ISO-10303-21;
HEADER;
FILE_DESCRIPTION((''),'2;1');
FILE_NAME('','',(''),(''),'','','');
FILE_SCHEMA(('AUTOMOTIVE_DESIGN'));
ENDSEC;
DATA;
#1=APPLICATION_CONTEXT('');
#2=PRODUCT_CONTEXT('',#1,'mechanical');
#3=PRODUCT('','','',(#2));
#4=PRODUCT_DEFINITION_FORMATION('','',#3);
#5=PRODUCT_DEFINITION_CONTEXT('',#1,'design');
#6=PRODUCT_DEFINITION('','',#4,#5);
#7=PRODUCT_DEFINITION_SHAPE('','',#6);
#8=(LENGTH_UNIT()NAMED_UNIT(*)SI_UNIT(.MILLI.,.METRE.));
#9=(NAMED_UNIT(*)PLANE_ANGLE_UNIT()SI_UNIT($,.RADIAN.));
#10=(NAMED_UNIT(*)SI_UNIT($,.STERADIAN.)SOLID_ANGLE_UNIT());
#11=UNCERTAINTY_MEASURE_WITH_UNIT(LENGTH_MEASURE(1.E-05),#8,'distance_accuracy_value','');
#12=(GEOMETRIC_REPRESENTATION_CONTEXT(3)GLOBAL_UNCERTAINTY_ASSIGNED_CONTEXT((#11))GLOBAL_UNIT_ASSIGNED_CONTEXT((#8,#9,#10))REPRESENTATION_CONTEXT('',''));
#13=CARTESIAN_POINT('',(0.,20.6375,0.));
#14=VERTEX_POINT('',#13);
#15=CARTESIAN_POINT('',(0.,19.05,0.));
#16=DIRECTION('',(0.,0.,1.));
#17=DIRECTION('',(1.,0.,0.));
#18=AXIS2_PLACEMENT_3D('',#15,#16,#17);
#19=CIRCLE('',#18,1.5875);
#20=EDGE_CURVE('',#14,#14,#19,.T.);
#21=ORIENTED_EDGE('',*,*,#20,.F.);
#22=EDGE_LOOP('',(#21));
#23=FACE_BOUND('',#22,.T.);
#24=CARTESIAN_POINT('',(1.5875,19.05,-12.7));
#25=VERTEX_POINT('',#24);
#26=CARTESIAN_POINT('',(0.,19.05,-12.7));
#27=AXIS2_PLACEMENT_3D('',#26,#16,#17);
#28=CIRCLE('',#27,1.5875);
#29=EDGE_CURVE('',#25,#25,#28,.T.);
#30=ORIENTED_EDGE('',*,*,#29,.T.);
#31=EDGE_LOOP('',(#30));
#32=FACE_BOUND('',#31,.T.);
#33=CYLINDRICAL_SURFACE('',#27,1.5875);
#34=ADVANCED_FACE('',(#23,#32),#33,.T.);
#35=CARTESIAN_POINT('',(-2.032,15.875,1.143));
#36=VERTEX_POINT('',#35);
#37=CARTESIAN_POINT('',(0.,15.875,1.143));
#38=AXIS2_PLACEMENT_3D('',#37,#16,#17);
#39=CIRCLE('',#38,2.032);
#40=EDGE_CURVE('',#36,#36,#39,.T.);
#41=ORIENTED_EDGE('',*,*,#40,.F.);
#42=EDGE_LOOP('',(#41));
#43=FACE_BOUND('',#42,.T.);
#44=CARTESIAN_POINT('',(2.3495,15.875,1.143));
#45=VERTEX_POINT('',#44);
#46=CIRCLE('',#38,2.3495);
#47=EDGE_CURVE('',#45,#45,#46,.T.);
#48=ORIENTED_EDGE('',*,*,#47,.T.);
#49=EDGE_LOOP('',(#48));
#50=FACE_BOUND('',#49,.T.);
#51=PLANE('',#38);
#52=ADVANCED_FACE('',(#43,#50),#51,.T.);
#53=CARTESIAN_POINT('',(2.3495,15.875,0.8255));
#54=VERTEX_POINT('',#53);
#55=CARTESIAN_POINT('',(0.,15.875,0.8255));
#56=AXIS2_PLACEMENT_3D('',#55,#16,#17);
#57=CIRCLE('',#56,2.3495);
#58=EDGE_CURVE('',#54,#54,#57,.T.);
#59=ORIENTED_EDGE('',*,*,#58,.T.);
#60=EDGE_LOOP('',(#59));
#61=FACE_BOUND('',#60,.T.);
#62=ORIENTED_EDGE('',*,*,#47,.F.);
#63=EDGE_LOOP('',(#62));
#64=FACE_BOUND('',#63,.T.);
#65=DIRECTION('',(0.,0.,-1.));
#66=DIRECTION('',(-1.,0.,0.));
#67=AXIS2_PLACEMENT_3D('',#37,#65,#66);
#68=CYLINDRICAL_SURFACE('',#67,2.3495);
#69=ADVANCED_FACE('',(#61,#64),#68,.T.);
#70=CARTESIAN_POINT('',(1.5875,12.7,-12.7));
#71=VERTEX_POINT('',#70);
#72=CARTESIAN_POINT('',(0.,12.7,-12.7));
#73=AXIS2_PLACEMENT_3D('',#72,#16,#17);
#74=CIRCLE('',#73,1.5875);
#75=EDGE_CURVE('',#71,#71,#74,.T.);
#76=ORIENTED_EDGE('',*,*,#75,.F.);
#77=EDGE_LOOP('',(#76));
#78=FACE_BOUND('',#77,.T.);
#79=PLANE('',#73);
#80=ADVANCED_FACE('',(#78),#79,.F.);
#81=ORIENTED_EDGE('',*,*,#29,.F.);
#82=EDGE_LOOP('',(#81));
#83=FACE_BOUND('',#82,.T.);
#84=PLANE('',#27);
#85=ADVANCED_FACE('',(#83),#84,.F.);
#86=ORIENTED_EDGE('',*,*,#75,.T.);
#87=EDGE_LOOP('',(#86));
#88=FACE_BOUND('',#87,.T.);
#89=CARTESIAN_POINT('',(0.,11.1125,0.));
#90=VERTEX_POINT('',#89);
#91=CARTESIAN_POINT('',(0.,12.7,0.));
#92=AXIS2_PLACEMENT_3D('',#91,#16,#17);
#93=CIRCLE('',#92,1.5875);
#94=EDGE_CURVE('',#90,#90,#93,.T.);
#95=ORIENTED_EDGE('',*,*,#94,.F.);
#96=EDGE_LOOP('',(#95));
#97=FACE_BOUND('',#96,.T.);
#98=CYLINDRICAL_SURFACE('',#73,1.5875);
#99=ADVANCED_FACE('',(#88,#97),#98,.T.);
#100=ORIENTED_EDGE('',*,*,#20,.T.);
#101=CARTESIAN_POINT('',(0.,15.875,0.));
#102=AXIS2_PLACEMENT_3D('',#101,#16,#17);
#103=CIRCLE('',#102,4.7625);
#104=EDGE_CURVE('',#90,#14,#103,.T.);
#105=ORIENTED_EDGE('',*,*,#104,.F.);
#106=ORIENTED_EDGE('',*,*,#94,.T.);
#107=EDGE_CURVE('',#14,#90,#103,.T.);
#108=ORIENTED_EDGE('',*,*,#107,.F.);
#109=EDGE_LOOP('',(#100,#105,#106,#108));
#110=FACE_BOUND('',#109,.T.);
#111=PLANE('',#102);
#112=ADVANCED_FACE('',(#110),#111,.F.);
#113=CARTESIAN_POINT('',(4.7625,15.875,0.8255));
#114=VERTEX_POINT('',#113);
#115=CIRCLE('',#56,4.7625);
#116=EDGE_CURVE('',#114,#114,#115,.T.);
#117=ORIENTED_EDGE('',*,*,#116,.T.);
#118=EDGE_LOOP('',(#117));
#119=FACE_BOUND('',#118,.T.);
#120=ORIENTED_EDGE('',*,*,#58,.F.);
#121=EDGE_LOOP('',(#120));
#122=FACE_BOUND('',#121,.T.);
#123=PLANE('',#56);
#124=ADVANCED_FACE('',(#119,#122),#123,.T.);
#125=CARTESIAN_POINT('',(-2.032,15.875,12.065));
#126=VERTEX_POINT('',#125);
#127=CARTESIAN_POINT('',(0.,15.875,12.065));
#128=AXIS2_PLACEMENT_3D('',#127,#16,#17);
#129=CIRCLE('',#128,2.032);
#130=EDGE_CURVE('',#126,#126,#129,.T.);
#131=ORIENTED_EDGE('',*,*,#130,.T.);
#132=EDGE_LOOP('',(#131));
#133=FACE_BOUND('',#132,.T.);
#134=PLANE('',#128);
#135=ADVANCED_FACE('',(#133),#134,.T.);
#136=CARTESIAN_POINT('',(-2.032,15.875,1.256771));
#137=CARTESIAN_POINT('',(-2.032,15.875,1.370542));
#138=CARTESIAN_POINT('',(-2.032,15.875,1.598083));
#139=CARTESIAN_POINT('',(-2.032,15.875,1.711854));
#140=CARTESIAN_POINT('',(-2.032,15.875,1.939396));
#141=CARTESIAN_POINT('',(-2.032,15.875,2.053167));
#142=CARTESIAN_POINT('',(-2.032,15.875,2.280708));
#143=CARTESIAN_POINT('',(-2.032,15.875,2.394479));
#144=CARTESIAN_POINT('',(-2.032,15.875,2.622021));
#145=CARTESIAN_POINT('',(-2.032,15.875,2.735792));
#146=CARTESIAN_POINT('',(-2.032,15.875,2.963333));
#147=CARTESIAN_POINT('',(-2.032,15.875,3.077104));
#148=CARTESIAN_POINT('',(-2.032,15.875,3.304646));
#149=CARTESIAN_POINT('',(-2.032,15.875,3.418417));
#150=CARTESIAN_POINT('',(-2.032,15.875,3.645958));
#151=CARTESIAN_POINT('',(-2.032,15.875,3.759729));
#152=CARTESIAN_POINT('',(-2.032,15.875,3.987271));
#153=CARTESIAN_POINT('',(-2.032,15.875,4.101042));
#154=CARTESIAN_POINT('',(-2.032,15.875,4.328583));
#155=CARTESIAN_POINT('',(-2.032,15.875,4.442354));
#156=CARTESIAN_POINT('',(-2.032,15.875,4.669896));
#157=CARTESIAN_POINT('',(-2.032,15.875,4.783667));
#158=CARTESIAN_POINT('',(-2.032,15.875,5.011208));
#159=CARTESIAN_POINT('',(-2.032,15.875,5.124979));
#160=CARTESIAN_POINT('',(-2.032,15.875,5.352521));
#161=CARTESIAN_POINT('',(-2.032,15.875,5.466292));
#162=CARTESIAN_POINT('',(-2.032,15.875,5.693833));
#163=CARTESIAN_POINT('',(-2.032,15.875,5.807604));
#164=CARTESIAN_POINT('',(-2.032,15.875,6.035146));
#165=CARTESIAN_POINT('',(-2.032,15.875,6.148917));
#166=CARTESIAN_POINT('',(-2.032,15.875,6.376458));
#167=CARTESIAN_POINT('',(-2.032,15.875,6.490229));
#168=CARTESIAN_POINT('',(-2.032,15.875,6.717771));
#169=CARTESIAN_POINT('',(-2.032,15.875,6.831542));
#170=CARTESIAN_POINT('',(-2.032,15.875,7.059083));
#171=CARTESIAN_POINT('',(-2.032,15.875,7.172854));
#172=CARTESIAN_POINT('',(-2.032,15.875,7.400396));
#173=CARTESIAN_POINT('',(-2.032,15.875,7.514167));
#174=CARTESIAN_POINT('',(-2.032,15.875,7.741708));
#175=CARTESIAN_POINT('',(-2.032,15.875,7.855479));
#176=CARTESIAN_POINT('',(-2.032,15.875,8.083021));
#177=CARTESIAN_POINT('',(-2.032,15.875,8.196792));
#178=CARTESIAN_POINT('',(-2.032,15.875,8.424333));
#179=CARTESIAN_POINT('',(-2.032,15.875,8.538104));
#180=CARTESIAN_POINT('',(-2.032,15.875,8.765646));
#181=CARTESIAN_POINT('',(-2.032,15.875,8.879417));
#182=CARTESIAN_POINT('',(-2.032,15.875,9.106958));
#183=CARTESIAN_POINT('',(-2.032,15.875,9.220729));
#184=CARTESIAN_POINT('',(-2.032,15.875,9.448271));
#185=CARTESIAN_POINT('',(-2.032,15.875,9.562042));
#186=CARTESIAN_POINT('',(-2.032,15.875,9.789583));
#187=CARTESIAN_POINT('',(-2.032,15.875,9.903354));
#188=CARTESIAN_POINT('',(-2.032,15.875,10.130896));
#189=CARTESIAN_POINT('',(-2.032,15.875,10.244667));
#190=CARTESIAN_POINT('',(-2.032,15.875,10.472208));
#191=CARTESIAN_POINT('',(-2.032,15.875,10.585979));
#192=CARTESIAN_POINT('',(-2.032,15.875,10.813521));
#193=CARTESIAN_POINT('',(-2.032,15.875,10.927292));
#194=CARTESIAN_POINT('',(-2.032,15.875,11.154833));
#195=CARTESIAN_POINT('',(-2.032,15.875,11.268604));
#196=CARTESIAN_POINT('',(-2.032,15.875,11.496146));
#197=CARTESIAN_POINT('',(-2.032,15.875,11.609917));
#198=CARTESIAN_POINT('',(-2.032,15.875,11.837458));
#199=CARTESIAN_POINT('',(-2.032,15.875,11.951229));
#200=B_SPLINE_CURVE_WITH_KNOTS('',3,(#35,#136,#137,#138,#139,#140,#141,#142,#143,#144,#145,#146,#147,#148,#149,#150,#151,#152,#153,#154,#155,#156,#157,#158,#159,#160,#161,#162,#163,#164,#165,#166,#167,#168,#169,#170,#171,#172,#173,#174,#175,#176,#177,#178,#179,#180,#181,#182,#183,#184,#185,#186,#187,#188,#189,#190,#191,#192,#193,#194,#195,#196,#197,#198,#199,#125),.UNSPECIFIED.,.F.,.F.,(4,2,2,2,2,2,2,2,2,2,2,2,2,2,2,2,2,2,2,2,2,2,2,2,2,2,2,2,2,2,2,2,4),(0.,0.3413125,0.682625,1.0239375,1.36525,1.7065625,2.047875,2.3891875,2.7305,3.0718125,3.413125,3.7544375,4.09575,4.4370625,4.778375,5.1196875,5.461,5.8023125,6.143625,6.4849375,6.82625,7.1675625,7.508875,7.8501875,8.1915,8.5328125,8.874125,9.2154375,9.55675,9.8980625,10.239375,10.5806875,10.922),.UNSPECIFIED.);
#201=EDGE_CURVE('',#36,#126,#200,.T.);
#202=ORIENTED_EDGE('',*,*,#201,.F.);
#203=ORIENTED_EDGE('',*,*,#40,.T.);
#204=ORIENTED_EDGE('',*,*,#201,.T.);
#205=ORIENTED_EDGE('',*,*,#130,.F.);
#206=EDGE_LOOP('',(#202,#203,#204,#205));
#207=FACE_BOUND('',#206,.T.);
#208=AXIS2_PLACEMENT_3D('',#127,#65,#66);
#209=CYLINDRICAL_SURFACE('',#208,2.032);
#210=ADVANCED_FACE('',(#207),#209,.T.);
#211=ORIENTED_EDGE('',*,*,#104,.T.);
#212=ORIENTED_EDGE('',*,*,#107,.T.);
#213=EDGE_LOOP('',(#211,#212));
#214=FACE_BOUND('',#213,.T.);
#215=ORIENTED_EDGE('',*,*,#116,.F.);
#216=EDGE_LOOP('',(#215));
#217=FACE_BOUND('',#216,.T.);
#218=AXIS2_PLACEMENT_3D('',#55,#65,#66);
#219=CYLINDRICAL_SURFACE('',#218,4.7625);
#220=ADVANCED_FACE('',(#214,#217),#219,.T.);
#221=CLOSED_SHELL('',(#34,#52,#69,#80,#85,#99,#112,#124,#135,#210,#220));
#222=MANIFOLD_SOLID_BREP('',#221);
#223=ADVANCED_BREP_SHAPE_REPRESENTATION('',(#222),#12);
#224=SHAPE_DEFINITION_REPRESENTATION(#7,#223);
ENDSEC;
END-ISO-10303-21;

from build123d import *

# Parameters (mm, degrees)
SKETCH1_R             = 1.5875
BOSS_EXTRUDE1_DEPTH   = 12.7
BOSS_EXTRUDE1_2_DEPTH = 12.7
SKETCH2_R             = 2.032
BOSS_EXTRUDE2_DEPTH   = 12.065
SKETCH3_R             = 4.7625
BOSS_EXTRUDE3_DEPTH   = 0.8255
SKETCH4_R             = 2.3495
BOSS_EXTRUDE4_DEPTH   = 0.3175


with BuildPart() as part:
    # Sketch1 → Boss-Extrude1 (new body)
    with BuildSketch(Plane.XY):
        with Locations((0, 12.7)):
            Circle(SKETCH1_R)
    extrude(amount=-BOSS_EXTRUDE1_DEPTH)



with BuildPart() as body_2:
    # Sketch1 → Boss-Extrude1 2 (new body)
    with BuildSketch(Plane.XY):
        with Locations((0, 19.05)):
            Circle(SKETCH1_R)
    extrude(amount=-BOSS_EXTRUDE1_2_DEPTH)


with BuildPart() as part_1:
    add(part.part)

    add(body_2.part)  # Boss-Extrude2 merges body 2
    # Sketch2 → Boss-Extrude2 (add)
    with BuildSketch(Plane.XY):
        with Locations((0, 15.875)):
            Circle(SKETCH2_R)
    extrude(amount=BOSS_EXTRUDE2_DEPTH)

    # Sketch3 → Boss-Extrude3 (add)
    with BuildSketch(Plane.XY):
        with Locations((0, 15.875)):
            Circle(SKETCH3_R)
    extrude(amount=BOSS_EXTRUDE3_DEPTH)

    # Sketch4 → Boss-Extrude4 (add)
    with BuildSketch(Plane.XY.offset(0.8255)):
        with Locations((0, 15.875)):
            Circle(SKETCH4_R)
    extrude(amount=BOSS_EXTRUDE4_DEPTH)


solid = part_1.part
